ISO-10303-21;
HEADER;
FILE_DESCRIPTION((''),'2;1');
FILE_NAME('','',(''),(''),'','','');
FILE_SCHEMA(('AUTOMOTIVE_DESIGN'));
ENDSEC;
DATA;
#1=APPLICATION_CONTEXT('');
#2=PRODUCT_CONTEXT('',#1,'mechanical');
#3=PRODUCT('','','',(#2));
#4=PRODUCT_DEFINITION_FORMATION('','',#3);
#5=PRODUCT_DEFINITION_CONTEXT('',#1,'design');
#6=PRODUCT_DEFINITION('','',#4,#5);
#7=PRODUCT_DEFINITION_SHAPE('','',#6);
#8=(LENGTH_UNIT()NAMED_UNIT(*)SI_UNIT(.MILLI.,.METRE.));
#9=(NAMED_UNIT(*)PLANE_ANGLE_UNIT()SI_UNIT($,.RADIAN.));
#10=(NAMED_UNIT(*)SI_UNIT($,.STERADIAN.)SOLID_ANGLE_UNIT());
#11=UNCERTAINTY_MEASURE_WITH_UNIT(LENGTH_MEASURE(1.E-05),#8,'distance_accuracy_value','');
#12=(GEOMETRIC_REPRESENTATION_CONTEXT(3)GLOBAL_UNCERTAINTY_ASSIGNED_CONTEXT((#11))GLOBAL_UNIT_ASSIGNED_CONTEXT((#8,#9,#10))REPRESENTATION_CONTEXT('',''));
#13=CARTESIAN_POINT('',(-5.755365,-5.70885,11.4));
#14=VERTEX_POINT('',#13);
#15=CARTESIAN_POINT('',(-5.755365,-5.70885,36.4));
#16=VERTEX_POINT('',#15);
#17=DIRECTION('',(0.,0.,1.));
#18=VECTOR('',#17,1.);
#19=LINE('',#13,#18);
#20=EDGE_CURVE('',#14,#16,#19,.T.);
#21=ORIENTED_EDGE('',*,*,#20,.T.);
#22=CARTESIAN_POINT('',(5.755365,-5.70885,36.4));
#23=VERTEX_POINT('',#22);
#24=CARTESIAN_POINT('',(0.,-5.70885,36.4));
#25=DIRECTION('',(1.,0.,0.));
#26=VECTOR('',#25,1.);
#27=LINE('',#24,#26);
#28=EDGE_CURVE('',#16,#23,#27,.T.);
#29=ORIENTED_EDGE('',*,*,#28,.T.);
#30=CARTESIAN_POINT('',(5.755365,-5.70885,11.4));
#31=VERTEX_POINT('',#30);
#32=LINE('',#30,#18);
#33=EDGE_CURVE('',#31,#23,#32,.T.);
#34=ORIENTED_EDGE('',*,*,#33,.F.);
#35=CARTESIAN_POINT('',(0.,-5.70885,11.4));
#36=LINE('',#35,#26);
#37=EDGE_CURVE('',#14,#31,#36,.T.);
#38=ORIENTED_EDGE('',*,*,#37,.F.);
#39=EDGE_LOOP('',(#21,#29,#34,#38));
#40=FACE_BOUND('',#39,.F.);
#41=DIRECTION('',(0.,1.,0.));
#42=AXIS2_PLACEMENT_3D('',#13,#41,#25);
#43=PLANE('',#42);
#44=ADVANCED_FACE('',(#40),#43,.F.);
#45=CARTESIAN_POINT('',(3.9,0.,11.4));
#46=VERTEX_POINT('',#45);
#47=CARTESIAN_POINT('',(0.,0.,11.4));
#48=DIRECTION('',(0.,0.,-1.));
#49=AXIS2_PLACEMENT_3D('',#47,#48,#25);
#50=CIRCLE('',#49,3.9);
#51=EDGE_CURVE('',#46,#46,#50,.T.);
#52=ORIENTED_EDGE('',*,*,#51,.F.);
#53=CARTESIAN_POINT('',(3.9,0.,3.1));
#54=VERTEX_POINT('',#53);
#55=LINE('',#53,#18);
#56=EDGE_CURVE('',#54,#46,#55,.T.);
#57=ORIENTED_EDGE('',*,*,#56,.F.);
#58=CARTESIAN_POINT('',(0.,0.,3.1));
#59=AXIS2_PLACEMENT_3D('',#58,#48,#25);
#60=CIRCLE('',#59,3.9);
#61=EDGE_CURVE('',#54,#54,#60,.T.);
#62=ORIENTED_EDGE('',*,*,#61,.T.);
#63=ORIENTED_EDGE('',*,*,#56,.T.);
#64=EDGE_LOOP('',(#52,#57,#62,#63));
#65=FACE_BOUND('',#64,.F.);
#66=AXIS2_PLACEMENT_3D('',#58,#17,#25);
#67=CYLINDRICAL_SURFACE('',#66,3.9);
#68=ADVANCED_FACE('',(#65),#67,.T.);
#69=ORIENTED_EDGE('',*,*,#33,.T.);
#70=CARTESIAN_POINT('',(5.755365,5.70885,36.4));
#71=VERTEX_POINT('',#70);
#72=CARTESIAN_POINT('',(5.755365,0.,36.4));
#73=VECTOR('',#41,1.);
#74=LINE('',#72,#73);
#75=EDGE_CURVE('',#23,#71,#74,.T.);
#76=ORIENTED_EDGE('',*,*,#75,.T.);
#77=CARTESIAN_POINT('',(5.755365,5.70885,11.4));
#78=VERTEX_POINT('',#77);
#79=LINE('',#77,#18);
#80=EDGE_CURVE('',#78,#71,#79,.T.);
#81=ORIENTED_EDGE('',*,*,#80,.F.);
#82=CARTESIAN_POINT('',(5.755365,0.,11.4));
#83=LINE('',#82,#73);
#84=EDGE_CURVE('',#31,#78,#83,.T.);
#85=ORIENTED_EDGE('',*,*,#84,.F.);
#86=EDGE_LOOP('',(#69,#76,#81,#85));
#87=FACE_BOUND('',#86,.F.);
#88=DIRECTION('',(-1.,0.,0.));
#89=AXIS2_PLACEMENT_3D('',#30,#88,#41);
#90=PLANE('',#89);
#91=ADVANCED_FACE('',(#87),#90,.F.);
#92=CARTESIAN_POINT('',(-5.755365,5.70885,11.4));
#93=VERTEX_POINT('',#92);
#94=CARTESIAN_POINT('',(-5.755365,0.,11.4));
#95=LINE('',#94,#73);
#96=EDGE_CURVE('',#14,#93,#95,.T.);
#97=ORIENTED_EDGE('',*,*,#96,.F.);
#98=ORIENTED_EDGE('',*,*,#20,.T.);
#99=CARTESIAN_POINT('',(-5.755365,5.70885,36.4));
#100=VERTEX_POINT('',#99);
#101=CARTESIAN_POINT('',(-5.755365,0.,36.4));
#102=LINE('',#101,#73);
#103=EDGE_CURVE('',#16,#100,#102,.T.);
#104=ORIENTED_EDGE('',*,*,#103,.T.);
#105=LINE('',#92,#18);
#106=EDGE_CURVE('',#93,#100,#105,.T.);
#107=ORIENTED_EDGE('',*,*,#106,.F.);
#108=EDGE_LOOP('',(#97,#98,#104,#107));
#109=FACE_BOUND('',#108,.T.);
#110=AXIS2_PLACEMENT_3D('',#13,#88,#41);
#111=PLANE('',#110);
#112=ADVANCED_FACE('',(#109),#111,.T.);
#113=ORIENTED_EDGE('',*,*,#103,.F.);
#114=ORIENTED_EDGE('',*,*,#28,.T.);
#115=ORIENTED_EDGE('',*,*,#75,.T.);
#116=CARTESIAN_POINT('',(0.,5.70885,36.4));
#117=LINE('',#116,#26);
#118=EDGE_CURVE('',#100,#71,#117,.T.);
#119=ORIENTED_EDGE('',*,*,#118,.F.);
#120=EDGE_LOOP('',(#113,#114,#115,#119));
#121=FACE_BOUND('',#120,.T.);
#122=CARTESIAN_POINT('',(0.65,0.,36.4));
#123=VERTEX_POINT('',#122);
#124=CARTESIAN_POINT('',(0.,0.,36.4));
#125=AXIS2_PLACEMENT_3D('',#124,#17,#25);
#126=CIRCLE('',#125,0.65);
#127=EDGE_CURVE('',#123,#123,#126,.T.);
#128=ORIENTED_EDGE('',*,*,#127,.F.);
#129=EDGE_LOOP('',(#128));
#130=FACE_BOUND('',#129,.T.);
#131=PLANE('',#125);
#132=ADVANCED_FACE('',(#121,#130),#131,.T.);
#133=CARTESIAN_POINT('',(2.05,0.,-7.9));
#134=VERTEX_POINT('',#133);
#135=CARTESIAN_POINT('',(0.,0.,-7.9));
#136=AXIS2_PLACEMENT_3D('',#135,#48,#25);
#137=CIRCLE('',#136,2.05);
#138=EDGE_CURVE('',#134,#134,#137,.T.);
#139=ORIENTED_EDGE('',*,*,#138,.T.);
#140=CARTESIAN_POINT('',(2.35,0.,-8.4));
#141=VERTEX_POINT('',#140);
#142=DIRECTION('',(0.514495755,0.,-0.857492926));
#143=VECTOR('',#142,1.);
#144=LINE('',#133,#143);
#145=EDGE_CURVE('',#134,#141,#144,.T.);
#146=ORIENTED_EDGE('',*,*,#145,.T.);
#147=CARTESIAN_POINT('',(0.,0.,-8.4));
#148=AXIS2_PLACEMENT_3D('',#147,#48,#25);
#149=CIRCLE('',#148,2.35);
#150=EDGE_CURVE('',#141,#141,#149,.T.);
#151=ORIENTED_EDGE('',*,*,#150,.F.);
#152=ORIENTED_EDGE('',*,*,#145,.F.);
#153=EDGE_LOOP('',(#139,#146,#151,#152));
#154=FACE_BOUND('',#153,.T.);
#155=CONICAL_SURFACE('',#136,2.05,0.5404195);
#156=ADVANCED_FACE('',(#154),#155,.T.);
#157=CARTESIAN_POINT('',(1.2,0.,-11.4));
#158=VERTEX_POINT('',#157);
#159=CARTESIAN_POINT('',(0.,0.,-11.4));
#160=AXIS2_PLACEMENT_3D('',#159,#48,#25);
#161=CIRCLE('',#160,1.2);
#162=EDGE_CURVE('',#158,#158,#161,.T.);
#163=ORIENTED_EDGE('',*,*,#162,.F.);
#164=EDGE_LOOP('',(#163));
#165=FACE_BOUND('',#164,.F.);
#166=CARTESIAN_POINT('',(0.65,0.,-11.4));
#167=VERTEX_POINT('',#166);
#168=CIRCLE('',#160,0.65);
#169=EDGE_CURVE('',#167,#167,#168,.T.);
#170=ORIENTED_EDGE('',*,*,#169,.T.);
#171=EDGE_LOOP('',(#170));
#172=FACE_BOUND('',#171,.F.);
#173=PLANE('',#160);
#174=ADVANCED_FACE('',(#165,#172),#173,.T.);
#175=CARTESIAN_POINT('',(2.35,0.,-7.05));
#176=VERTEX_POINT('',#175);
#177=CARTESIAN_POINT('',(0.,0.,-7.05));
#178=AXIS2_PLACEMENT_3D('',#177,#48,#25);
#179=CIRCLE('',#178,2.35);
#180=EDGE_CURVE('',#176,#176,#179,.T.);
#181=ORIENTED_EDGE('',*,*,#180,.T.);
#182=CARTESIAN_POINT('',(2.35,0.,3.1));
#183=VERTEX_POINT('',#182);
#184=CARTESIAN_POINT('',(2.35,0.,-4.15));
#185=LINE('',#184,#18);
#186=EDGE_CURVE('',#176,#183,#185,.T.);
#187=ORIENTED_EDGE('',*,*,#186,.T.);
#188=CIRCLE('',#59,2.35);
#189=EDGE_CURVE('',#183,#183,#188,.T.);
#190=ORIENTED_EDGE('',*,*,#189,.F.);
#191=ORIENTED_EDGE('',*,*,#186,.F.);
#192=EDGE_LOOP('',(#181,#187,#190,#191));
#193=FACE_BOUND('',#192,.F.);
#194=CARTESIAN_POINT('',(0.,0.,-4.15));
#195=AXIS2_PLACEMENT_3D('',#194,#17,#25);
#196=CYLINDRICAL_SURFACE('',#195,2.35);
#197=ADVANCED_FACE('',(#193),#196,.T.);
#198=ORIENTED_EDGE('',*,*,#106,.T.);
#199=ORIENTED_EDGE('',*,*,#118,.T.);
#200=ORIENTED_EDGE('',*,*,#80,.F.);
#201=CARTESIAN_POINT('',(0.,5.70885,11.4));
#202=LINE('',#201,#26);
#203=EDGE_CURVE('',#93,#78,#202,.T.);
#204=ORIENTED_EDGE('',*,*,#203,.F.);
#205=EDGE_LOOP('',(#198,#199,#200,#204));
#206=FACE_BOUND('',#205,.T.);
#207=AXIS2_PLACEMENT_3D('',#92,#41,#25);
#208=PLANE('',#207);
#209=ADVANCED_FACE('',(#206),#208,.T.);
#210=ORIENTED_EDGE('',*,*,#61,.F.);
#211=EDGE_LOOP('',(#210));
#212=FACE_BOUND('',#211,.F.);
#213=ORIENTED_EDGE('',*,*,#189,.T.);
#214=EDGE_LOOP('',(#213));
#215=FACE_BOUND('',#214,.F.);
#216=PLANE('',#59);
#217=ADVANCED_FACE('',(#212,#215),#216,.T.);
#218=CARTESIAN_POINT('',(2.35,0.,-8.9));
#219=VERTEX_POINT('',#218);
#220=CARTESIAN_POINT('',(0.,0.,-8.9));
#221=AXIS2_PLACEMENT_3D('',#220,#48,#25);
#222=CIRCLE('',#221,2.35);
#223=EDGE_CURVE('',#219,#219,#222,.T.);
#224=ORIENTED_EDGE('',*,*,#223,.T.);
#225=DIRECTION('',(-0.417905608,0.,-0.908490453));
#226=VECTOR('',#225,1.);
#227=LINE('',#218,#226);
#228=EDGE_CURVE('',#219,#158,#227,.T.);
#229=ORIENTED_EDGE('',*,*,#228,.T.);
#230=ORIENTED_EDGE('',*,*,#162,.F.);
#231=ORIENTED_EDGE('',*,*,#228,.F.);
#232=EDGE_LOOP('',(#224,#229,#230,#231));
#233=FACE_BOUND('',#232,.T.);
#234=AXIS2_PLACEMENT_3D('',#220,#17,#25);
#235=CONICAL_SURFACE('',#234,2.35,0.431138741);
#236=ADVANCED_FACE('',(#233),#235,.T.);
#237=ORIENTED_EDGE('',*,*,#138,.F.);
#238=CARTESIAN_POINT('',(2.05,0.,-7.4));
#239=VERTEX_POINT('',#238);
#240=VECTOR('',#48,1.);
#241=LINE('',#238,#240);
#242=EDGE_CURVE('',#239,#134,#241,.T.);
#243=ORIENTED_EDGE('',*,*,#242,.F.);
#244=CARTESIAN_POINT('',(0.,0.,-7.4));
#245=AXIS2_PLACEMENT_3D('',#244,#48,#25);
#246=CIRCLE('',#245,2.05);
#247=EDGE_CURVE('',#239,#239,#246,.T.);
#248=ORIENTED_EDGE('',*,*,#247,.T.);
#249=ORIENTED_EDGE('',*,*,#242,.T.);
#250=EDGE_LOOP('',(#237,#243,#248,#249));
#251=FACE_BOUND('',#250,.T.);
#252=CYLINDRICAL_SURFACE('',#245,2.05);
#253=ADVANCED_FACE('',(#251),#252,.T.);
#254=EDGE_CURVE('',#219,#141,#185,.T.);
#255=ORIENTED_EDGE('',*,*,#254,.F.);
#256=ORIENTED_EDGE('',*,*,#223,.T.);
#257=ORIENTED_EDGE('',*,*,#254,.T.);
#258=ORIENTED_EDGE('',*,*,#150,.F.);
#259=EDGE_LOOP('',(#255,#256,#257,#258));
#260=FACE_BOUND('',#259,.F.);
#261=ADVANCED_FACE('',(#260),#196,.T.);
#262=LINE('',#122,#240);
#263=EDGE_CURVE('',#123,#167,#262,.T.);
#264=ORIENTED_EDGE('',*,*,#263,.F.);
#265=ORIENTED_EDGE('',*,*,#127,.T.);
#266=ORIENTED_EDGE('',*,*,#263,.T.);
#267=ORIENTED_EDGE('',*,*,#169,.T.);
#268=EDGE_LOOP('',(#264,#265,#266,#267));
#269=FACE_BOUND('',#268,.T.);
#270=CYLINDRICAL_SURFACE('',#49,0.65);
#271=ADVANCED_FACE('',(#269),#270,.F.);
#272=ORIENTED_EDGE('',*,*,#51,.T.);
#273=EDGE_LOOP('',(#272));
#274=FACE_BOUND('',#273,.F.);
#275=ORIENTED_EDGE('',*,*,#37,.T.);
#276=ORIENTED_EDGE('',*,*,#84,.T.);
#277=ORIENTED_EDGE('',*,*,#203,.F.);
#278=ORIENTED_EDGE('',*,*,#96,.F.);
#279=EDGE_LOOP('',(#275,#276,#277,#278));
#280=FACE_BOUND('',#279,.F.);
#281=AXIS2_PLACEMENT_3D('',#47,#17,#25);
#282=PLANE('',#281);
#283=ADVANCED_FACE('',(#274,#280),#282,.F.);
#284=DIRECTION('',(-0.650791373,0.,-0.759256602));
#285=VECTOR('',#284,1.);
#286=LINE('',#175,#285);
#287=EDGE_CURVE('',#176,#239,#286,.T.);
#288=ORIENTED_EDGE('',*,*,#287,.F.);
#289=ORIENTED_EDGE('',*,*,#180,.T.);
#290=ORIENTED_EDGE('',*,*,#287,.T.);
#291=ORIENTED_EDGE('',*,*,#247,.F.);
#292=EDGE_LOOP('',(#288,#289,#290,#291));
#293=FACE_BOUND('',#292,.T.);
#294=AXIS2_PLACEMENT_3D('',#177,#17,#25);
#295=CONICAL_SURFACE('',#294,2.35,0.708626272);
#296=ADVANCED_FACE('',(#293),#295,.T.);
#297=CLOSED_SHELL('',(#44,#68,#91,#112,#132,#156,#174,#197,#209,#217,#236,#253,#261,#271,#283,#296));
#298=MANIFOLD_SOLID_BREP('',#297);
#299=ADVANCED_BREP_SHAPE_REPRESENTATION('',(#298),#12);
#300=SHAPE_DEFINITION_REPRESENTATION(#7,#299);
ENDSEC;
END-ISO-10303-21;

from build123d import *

# Parameters (mm, degrees)
F0_W     = 2.35
F0_H     = 14.5
F4_R     = 0.65
F5_DEPTH = 22.801
F6_W     = 11.5107307211
F6_H     = 11.4176999778
F6_R     = 3.9
F6_R_2   = 0.65
F7_DEPTH = 25


with BuildPart() as f1:
    # F0 (on Front) → F1 (revolve)
    with BuildSketch(Plane.XZ):
        Polygon((3.9, 11.4), (0, 11.4), (0, 3.1), (2.35, 3.1), (3.9, 3.1), align=None)
        with Locations((1.175, -4.15)):
            Rectangle(F0_W, F0_H)
    revolve(axis=Axis((0, 0, 0), (0, 0, -1)))

    # F2 (on Front) → F3 (revolve, cut)
    with BuildSketch(Plane.XZ):
        Polygon((2.05, -7.9), (2.35, -8.4), (2.35, -7.05), (2.05, -7.4), align=None)
        Polygon((2.35, -8.9), (1.2, -11.4), (2.35, -11.4), align=None)
    revolve(axis=Axis((0, 0, 0), (0, 0, -1)), mode=Mode.SUBTRACT)

    # F4 (on face) → F5 (cut, through all)
    with BuildSketch(Plane(origin=(0, 0, -11.4), x_dir=(1, 0, 0), z_dir=(0, 0, -1))):
        Circle(F4_R)
    extrude(amount=-F5_DEPTH, mode=Mode.SUBTRACT)

    # F6 (on face) → F7 (join)
    with BuildSketch(Plane.XY.offset(11.4)):
        Rectangle(F6_W, F6_H)
        Circle(F6_R, mode=Mode.SUBTRACT)
        Circle(F6_R)
        Circle(F6_R_2, mode=Mode.SUBTRACT)
    extrude(amount=F7_DEPTH)


solid = f1.part
